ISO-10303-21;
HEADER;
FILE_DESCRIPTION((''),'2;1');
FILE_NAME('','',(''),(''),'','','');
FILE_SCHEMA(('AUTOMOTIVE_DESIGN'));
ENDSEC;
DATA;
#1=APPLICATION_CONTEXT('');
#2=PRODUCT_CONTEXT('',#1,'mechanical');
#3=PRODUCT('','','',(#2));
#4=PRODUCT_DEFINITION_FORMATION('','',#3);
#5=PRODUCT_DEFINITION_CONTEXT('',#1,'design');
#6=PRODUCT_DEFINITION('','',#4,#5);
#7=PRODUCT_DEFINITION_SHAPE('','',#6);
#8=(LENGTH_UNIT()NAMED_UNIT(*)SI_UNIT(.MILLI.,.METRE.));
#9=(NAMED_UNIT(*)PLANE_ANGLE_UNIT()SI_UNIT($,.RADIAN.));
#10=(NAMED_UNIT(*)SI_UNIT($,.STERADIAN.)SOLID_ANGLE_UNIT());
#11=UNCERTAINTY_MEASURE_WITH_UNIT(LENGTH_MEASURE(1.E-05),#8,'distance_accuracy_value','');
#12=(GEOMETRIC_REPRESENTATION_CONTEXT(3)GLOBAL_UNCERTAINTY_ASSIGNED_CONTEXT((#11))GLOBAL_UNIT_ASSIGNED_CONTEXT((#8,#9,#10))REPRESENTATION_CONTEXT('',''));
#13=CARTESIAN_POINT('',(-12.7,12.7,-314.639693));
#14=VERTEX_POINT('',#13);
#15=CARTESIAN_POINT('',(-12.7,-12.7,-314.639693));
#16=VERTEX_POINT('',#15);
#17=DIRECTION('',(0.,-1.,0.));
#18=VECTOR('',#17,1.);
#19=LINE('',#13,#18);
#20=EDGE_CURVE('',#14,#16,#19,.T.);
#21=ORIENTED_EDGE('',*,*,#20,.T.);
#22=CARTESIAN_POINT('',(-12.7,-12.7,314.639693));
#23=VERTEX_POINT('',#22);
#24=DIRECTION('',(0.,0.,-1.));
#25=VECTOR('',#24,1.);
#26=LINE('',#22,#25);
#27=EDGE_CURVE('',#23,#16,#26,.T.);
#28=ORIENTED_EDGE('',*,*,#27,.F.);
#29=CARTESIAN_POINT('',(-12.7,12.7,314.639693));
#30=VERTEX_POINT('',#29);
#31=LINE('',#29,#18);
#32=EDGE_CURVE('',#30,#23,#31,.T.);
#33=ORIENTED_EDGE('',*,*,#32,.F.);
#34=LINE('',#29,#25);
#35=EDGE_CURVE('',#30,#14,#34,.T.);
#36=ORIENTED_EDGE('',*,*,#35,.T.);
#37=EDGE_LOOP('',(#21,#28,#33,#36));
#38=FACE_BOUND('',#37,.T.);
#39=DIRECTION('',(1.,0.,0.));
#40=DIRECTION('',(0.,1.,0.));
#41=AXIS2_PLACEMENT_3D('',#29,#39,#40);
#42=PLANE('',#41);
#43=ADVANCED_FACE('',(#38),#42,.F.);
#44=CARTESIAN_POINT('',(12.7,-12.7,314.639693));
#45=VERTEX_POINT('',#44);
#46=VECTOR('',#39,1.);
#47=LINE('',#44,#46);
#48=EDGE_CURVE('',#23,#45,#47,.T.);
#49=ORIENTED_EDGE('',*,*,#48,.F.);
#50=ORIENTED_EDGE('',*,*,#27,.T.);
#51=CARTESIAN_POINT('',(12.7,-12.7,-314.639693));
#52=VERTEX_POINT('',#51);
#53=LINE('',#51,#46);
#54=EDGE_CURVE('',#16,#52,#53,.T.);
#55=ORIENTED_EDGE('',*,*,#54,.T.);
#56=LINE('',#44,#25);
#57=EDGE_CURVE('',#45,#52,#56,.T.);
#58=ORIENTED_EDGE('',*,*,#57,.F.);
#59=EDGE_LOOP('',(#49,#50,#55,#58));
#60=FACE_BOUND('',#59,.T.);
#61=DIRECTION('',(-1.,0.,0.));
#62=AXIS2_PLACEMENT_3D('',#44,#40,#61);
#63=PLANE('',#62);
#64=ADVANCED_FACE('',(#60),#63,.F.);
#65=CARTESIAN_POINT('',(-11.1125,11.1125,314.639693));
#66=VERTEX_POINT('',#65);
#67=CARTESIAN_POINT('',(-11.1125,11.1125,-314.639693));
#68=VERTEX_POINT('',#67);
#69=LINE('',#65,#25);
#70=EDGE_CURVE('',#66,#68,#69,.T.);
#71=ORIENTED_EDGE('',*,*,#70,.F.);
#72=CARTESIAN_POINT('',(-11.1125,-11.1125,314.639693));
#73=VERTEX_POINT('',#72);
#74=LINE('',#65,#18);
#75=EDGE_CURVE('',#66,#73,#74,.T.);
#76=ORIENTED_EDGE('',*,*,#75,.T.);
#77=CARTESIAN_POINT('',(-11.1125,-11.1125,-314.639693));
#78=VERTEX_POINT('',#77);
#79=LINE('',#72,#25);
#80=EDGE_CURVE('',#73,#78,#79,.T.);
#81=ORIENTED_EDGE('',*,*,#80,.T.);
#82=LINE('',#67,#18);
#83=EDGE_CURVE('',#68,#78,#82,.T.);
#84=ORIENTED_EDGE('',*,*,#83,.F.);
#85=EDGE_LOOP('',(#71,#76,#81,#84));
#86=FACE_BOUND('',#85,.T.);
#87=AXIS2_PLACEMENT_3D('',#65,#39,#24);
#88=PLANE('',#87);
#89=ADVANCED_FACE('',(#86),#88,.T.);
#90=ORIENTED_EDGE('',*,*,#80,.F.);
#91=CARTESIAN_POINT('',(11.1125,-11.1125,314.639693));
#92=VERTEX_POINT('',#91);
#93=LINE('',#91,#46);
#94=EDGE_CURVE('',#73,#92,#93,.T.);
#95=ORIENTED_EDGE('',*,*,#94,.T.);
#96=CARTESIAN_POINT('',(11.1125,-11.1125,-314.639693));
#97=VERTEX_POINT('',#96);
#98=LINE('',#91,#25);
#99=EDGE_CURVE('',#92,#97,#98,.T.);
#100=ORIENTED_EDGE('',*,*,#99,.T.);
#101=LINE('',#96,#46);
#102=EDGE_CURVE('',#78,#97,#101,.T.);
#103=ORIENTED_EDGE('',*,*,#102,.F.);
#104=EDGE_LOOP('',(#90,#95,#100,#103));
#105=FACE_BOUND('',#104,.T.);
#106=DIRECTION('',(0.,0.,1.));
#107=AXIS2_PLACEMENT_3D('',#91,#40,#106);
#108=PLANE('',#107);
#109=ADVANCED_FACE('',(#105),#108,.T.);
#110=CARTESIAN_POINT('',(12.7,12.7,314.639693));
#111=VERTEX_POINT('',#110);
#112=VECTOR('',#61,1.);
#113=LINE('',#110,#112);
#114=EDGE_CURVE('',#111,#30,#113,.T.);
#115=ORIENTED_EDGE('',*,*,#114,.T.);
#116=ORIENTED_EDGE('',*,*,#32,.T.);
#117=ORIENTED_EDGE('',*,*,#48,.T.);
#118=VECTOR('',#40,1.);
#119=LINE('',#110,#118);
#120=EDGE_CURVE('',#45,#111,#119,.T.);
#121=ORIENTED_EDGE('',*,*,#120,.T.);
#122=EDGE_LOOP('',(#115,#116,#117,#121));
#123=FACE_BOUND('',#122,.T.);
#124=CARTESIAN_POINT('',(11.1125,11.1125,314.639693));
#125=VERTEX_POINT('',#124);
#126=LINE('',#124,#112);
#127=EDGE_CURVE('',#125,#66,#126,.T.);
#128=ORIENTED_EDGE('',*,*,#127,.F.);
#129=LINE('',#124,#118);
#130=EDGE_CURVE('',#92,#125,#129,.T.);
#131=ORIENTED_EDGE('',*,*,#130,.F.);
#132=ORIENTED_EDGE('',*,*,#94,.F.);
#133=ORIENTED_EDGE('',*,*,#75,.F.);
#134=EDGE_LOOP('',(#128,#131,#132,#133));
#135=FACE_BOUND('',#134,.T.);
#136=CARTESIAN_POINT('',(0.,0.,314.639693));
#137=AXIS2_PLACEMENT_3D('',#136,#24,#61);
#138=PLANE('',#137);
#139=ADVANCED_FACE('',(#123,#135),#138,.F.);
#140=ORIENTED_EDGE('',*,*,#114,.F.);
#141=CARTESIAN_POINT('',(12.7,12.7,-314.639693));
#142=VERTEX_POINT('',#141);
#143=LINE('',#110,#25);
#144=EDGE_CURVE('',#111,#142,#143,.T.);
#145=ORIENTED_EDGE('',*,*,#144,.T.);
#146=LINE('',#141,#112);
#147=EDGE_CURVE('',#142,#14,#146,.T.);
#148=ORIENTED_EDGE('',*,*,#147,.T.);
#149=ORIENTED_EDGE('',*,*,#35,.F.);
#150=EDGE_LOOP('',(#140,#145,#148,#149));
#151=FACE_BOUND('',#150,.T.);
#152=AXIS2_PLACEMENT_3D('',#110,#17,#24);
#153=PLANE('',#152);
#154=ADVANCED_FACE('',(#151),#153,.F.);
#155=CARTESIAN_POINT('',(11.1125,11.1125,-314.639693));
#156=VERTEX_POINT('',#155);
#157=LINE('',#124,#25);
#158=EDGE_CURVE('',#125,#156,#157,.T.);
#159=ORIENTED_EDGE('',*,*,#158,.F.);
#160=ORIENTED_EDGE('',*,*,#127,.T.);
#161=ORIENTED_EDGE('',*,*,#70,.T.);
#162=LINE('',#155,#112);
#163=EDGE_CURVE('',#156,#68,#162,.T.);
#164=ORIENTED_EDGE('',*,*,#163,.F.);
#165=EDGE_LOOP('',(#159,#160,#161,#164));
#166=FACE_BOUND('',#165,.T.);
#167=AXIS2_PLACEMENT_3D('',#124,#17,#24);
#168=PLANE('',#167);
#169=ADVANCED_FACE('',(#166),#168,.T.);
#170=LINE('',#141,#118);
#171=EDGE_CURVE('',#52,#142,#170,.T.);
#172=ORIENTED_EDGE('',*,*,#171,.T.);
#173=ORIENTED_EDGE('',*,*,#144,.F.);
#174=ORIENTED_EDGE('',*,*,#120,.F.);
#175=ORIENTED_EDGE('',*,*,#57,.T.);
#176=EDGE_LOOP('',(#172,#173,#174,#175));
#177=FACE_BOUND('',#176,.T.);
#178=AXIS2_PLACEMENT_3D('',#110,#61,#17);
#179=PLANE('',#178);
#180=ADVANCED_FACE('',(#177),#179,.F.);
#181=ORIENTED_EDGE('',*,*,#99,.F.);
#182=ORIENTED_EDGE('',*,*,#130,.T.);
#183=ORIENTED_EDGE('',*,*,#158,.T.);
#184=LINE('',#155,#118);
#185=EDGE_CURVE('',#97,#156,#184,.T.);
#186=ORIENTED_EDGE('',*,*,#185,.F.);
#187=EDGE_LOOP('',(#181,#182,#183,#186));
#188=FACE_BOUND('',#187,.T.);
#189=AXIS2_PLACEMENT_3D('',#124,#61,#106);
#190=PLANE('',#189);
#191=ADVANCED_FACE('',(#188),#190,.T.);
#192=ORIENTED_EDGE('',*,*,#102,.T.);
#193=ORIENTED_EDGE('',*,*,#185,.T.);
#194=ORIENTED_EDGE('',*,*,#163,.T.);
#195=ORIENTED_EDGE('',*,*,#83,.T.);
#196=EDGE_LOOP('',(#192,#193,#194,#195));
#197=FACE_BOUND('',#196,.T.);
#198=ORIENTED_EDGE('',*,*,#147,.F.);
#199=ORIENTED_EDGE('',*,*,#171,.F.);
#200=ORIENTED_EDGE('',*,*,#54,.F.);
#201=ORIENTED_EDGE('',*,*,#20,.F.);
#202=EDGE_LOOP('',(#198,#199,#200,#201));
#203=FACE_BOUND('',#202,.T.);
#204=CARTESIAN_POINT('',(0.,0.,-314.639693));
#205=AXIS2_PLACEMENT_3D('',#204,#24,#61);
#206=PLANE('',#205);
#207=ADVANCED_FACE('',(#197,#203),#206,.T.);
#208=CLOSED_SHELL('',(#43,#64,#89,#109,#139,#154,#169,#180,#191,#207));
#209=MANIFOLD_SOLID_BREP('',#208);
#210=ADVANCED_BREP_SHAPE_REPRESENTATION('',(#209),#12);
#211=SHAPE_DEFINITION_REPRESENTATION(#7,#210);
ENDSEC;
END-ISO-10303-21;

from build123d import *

# Parameters (mm, degrees)
SKETCH1_W           = 25.4
SKETCH1_H           = 25.4
SKETCH1_W_2         = 22.225
SKETCH1_H_2         = 22.225
BOSS_EXTRUDE1_DEPTH = 314.6396933


with BuildPart() as part:
    # Sketch1 → Boss-Extrude1 (new, symmetric)
    with BuildSketch(Plane.XY):
        Rectangle(SKETCH1_W, SKETCH1_H)
        Rectangle(SKETCH1_W_2, SKETCH1_H_2, mode=Mode.SUBTRACT)
    extrude(amount=BOSS_EXTRUDE1_DEPTH, both=True)


solid = part.part
